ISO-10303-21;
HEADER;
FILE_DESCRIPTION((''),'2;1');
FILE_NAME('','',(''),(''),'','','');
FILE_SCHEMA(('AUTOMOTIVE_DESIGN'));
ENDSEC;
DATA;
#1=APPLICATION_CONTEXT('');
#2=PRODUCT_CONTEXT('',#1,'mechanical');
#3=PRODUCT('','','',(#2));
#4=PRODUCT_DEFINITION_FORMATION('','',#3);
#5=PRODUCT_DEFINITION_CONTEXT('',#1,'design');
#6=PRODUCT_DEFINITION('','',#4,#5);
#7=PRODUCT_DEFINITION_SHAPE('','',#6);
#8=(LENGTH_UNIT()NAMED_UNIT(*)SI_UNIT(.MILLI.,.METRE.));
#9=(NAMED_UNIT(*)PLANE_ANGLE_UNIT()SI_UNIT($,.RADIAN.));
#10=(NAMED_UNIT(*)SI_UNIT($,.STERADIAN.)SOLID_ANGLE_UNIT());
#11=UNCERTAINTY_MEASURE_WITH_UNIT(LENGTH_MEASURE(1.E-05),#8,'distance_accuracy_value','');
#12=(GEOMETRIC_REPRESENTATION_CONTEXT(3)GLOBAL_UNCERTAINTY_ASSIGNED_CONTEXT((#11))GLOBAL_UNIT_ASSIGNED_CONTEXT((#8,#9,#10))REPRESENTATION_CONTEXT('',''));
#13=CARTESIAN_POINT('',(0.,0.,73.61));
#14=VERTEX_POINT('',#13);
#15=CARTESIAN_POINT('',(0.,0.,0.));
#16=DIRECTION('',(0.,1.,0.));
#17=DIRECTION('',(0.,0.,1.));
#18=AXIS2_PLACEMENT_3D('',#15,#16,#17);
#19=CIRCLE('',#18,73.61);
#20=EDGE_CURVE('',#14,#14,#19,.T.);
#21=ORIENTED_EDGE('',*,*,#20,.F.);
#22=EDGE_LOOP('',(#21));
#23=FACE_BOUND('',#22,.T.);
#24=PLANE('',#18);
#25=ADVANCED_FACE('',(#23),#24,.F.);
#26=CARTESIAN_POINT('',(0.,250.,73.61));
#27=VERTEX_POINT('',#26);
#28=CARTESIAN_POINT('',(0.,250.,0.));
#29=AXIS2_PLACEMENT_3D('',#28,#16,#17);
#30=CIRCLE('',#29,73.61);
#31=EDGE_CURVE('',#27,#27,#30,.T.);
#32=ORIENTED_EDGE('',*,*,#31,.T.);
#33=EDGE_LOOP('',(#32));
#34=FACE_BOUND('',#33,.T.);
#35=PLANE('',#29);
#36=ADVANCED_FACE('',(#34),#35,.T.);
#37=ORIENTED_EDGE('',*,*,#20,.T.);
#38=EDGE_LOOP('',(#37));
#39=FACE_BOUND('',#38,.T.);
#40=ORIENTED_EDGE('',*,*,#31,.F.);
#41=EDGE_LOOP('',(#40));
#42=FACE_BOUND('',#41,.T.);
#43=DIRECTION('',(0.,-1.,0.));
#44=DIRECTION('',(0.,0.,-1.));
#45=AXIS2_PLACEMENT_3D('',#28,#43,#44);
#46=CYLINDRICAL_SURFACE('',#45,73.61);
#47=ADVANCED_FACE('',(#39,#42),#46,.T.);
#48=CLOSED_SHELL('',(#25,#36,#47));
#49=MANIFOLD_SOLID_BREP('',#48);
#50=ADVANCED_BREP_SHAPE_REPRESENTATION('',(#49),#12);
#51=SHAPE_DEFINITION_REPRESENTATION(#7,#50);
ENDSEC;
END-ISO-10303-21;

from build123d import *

# Parameters (mm, degrees)
ESQUISSE1_R        = 73.61
BOSS_EXTRU_1_DEPTH = 250


with BuildPart() as part:
    # Esquisse1 → Boss.-Extru.1 (new body)
    with BuildSketch(Plane(origin=(0, 0, 0), x_dir=(1, 0, 0), z_dir=(0, 1, 0))):
        with Locations(Location((0, 0, 0), (0, 0, 270))):
            Circle(ESQUISSE1_R)
    extrude(amount=BOSS_EXTRU_1_DEPTH)


solid = part.part
